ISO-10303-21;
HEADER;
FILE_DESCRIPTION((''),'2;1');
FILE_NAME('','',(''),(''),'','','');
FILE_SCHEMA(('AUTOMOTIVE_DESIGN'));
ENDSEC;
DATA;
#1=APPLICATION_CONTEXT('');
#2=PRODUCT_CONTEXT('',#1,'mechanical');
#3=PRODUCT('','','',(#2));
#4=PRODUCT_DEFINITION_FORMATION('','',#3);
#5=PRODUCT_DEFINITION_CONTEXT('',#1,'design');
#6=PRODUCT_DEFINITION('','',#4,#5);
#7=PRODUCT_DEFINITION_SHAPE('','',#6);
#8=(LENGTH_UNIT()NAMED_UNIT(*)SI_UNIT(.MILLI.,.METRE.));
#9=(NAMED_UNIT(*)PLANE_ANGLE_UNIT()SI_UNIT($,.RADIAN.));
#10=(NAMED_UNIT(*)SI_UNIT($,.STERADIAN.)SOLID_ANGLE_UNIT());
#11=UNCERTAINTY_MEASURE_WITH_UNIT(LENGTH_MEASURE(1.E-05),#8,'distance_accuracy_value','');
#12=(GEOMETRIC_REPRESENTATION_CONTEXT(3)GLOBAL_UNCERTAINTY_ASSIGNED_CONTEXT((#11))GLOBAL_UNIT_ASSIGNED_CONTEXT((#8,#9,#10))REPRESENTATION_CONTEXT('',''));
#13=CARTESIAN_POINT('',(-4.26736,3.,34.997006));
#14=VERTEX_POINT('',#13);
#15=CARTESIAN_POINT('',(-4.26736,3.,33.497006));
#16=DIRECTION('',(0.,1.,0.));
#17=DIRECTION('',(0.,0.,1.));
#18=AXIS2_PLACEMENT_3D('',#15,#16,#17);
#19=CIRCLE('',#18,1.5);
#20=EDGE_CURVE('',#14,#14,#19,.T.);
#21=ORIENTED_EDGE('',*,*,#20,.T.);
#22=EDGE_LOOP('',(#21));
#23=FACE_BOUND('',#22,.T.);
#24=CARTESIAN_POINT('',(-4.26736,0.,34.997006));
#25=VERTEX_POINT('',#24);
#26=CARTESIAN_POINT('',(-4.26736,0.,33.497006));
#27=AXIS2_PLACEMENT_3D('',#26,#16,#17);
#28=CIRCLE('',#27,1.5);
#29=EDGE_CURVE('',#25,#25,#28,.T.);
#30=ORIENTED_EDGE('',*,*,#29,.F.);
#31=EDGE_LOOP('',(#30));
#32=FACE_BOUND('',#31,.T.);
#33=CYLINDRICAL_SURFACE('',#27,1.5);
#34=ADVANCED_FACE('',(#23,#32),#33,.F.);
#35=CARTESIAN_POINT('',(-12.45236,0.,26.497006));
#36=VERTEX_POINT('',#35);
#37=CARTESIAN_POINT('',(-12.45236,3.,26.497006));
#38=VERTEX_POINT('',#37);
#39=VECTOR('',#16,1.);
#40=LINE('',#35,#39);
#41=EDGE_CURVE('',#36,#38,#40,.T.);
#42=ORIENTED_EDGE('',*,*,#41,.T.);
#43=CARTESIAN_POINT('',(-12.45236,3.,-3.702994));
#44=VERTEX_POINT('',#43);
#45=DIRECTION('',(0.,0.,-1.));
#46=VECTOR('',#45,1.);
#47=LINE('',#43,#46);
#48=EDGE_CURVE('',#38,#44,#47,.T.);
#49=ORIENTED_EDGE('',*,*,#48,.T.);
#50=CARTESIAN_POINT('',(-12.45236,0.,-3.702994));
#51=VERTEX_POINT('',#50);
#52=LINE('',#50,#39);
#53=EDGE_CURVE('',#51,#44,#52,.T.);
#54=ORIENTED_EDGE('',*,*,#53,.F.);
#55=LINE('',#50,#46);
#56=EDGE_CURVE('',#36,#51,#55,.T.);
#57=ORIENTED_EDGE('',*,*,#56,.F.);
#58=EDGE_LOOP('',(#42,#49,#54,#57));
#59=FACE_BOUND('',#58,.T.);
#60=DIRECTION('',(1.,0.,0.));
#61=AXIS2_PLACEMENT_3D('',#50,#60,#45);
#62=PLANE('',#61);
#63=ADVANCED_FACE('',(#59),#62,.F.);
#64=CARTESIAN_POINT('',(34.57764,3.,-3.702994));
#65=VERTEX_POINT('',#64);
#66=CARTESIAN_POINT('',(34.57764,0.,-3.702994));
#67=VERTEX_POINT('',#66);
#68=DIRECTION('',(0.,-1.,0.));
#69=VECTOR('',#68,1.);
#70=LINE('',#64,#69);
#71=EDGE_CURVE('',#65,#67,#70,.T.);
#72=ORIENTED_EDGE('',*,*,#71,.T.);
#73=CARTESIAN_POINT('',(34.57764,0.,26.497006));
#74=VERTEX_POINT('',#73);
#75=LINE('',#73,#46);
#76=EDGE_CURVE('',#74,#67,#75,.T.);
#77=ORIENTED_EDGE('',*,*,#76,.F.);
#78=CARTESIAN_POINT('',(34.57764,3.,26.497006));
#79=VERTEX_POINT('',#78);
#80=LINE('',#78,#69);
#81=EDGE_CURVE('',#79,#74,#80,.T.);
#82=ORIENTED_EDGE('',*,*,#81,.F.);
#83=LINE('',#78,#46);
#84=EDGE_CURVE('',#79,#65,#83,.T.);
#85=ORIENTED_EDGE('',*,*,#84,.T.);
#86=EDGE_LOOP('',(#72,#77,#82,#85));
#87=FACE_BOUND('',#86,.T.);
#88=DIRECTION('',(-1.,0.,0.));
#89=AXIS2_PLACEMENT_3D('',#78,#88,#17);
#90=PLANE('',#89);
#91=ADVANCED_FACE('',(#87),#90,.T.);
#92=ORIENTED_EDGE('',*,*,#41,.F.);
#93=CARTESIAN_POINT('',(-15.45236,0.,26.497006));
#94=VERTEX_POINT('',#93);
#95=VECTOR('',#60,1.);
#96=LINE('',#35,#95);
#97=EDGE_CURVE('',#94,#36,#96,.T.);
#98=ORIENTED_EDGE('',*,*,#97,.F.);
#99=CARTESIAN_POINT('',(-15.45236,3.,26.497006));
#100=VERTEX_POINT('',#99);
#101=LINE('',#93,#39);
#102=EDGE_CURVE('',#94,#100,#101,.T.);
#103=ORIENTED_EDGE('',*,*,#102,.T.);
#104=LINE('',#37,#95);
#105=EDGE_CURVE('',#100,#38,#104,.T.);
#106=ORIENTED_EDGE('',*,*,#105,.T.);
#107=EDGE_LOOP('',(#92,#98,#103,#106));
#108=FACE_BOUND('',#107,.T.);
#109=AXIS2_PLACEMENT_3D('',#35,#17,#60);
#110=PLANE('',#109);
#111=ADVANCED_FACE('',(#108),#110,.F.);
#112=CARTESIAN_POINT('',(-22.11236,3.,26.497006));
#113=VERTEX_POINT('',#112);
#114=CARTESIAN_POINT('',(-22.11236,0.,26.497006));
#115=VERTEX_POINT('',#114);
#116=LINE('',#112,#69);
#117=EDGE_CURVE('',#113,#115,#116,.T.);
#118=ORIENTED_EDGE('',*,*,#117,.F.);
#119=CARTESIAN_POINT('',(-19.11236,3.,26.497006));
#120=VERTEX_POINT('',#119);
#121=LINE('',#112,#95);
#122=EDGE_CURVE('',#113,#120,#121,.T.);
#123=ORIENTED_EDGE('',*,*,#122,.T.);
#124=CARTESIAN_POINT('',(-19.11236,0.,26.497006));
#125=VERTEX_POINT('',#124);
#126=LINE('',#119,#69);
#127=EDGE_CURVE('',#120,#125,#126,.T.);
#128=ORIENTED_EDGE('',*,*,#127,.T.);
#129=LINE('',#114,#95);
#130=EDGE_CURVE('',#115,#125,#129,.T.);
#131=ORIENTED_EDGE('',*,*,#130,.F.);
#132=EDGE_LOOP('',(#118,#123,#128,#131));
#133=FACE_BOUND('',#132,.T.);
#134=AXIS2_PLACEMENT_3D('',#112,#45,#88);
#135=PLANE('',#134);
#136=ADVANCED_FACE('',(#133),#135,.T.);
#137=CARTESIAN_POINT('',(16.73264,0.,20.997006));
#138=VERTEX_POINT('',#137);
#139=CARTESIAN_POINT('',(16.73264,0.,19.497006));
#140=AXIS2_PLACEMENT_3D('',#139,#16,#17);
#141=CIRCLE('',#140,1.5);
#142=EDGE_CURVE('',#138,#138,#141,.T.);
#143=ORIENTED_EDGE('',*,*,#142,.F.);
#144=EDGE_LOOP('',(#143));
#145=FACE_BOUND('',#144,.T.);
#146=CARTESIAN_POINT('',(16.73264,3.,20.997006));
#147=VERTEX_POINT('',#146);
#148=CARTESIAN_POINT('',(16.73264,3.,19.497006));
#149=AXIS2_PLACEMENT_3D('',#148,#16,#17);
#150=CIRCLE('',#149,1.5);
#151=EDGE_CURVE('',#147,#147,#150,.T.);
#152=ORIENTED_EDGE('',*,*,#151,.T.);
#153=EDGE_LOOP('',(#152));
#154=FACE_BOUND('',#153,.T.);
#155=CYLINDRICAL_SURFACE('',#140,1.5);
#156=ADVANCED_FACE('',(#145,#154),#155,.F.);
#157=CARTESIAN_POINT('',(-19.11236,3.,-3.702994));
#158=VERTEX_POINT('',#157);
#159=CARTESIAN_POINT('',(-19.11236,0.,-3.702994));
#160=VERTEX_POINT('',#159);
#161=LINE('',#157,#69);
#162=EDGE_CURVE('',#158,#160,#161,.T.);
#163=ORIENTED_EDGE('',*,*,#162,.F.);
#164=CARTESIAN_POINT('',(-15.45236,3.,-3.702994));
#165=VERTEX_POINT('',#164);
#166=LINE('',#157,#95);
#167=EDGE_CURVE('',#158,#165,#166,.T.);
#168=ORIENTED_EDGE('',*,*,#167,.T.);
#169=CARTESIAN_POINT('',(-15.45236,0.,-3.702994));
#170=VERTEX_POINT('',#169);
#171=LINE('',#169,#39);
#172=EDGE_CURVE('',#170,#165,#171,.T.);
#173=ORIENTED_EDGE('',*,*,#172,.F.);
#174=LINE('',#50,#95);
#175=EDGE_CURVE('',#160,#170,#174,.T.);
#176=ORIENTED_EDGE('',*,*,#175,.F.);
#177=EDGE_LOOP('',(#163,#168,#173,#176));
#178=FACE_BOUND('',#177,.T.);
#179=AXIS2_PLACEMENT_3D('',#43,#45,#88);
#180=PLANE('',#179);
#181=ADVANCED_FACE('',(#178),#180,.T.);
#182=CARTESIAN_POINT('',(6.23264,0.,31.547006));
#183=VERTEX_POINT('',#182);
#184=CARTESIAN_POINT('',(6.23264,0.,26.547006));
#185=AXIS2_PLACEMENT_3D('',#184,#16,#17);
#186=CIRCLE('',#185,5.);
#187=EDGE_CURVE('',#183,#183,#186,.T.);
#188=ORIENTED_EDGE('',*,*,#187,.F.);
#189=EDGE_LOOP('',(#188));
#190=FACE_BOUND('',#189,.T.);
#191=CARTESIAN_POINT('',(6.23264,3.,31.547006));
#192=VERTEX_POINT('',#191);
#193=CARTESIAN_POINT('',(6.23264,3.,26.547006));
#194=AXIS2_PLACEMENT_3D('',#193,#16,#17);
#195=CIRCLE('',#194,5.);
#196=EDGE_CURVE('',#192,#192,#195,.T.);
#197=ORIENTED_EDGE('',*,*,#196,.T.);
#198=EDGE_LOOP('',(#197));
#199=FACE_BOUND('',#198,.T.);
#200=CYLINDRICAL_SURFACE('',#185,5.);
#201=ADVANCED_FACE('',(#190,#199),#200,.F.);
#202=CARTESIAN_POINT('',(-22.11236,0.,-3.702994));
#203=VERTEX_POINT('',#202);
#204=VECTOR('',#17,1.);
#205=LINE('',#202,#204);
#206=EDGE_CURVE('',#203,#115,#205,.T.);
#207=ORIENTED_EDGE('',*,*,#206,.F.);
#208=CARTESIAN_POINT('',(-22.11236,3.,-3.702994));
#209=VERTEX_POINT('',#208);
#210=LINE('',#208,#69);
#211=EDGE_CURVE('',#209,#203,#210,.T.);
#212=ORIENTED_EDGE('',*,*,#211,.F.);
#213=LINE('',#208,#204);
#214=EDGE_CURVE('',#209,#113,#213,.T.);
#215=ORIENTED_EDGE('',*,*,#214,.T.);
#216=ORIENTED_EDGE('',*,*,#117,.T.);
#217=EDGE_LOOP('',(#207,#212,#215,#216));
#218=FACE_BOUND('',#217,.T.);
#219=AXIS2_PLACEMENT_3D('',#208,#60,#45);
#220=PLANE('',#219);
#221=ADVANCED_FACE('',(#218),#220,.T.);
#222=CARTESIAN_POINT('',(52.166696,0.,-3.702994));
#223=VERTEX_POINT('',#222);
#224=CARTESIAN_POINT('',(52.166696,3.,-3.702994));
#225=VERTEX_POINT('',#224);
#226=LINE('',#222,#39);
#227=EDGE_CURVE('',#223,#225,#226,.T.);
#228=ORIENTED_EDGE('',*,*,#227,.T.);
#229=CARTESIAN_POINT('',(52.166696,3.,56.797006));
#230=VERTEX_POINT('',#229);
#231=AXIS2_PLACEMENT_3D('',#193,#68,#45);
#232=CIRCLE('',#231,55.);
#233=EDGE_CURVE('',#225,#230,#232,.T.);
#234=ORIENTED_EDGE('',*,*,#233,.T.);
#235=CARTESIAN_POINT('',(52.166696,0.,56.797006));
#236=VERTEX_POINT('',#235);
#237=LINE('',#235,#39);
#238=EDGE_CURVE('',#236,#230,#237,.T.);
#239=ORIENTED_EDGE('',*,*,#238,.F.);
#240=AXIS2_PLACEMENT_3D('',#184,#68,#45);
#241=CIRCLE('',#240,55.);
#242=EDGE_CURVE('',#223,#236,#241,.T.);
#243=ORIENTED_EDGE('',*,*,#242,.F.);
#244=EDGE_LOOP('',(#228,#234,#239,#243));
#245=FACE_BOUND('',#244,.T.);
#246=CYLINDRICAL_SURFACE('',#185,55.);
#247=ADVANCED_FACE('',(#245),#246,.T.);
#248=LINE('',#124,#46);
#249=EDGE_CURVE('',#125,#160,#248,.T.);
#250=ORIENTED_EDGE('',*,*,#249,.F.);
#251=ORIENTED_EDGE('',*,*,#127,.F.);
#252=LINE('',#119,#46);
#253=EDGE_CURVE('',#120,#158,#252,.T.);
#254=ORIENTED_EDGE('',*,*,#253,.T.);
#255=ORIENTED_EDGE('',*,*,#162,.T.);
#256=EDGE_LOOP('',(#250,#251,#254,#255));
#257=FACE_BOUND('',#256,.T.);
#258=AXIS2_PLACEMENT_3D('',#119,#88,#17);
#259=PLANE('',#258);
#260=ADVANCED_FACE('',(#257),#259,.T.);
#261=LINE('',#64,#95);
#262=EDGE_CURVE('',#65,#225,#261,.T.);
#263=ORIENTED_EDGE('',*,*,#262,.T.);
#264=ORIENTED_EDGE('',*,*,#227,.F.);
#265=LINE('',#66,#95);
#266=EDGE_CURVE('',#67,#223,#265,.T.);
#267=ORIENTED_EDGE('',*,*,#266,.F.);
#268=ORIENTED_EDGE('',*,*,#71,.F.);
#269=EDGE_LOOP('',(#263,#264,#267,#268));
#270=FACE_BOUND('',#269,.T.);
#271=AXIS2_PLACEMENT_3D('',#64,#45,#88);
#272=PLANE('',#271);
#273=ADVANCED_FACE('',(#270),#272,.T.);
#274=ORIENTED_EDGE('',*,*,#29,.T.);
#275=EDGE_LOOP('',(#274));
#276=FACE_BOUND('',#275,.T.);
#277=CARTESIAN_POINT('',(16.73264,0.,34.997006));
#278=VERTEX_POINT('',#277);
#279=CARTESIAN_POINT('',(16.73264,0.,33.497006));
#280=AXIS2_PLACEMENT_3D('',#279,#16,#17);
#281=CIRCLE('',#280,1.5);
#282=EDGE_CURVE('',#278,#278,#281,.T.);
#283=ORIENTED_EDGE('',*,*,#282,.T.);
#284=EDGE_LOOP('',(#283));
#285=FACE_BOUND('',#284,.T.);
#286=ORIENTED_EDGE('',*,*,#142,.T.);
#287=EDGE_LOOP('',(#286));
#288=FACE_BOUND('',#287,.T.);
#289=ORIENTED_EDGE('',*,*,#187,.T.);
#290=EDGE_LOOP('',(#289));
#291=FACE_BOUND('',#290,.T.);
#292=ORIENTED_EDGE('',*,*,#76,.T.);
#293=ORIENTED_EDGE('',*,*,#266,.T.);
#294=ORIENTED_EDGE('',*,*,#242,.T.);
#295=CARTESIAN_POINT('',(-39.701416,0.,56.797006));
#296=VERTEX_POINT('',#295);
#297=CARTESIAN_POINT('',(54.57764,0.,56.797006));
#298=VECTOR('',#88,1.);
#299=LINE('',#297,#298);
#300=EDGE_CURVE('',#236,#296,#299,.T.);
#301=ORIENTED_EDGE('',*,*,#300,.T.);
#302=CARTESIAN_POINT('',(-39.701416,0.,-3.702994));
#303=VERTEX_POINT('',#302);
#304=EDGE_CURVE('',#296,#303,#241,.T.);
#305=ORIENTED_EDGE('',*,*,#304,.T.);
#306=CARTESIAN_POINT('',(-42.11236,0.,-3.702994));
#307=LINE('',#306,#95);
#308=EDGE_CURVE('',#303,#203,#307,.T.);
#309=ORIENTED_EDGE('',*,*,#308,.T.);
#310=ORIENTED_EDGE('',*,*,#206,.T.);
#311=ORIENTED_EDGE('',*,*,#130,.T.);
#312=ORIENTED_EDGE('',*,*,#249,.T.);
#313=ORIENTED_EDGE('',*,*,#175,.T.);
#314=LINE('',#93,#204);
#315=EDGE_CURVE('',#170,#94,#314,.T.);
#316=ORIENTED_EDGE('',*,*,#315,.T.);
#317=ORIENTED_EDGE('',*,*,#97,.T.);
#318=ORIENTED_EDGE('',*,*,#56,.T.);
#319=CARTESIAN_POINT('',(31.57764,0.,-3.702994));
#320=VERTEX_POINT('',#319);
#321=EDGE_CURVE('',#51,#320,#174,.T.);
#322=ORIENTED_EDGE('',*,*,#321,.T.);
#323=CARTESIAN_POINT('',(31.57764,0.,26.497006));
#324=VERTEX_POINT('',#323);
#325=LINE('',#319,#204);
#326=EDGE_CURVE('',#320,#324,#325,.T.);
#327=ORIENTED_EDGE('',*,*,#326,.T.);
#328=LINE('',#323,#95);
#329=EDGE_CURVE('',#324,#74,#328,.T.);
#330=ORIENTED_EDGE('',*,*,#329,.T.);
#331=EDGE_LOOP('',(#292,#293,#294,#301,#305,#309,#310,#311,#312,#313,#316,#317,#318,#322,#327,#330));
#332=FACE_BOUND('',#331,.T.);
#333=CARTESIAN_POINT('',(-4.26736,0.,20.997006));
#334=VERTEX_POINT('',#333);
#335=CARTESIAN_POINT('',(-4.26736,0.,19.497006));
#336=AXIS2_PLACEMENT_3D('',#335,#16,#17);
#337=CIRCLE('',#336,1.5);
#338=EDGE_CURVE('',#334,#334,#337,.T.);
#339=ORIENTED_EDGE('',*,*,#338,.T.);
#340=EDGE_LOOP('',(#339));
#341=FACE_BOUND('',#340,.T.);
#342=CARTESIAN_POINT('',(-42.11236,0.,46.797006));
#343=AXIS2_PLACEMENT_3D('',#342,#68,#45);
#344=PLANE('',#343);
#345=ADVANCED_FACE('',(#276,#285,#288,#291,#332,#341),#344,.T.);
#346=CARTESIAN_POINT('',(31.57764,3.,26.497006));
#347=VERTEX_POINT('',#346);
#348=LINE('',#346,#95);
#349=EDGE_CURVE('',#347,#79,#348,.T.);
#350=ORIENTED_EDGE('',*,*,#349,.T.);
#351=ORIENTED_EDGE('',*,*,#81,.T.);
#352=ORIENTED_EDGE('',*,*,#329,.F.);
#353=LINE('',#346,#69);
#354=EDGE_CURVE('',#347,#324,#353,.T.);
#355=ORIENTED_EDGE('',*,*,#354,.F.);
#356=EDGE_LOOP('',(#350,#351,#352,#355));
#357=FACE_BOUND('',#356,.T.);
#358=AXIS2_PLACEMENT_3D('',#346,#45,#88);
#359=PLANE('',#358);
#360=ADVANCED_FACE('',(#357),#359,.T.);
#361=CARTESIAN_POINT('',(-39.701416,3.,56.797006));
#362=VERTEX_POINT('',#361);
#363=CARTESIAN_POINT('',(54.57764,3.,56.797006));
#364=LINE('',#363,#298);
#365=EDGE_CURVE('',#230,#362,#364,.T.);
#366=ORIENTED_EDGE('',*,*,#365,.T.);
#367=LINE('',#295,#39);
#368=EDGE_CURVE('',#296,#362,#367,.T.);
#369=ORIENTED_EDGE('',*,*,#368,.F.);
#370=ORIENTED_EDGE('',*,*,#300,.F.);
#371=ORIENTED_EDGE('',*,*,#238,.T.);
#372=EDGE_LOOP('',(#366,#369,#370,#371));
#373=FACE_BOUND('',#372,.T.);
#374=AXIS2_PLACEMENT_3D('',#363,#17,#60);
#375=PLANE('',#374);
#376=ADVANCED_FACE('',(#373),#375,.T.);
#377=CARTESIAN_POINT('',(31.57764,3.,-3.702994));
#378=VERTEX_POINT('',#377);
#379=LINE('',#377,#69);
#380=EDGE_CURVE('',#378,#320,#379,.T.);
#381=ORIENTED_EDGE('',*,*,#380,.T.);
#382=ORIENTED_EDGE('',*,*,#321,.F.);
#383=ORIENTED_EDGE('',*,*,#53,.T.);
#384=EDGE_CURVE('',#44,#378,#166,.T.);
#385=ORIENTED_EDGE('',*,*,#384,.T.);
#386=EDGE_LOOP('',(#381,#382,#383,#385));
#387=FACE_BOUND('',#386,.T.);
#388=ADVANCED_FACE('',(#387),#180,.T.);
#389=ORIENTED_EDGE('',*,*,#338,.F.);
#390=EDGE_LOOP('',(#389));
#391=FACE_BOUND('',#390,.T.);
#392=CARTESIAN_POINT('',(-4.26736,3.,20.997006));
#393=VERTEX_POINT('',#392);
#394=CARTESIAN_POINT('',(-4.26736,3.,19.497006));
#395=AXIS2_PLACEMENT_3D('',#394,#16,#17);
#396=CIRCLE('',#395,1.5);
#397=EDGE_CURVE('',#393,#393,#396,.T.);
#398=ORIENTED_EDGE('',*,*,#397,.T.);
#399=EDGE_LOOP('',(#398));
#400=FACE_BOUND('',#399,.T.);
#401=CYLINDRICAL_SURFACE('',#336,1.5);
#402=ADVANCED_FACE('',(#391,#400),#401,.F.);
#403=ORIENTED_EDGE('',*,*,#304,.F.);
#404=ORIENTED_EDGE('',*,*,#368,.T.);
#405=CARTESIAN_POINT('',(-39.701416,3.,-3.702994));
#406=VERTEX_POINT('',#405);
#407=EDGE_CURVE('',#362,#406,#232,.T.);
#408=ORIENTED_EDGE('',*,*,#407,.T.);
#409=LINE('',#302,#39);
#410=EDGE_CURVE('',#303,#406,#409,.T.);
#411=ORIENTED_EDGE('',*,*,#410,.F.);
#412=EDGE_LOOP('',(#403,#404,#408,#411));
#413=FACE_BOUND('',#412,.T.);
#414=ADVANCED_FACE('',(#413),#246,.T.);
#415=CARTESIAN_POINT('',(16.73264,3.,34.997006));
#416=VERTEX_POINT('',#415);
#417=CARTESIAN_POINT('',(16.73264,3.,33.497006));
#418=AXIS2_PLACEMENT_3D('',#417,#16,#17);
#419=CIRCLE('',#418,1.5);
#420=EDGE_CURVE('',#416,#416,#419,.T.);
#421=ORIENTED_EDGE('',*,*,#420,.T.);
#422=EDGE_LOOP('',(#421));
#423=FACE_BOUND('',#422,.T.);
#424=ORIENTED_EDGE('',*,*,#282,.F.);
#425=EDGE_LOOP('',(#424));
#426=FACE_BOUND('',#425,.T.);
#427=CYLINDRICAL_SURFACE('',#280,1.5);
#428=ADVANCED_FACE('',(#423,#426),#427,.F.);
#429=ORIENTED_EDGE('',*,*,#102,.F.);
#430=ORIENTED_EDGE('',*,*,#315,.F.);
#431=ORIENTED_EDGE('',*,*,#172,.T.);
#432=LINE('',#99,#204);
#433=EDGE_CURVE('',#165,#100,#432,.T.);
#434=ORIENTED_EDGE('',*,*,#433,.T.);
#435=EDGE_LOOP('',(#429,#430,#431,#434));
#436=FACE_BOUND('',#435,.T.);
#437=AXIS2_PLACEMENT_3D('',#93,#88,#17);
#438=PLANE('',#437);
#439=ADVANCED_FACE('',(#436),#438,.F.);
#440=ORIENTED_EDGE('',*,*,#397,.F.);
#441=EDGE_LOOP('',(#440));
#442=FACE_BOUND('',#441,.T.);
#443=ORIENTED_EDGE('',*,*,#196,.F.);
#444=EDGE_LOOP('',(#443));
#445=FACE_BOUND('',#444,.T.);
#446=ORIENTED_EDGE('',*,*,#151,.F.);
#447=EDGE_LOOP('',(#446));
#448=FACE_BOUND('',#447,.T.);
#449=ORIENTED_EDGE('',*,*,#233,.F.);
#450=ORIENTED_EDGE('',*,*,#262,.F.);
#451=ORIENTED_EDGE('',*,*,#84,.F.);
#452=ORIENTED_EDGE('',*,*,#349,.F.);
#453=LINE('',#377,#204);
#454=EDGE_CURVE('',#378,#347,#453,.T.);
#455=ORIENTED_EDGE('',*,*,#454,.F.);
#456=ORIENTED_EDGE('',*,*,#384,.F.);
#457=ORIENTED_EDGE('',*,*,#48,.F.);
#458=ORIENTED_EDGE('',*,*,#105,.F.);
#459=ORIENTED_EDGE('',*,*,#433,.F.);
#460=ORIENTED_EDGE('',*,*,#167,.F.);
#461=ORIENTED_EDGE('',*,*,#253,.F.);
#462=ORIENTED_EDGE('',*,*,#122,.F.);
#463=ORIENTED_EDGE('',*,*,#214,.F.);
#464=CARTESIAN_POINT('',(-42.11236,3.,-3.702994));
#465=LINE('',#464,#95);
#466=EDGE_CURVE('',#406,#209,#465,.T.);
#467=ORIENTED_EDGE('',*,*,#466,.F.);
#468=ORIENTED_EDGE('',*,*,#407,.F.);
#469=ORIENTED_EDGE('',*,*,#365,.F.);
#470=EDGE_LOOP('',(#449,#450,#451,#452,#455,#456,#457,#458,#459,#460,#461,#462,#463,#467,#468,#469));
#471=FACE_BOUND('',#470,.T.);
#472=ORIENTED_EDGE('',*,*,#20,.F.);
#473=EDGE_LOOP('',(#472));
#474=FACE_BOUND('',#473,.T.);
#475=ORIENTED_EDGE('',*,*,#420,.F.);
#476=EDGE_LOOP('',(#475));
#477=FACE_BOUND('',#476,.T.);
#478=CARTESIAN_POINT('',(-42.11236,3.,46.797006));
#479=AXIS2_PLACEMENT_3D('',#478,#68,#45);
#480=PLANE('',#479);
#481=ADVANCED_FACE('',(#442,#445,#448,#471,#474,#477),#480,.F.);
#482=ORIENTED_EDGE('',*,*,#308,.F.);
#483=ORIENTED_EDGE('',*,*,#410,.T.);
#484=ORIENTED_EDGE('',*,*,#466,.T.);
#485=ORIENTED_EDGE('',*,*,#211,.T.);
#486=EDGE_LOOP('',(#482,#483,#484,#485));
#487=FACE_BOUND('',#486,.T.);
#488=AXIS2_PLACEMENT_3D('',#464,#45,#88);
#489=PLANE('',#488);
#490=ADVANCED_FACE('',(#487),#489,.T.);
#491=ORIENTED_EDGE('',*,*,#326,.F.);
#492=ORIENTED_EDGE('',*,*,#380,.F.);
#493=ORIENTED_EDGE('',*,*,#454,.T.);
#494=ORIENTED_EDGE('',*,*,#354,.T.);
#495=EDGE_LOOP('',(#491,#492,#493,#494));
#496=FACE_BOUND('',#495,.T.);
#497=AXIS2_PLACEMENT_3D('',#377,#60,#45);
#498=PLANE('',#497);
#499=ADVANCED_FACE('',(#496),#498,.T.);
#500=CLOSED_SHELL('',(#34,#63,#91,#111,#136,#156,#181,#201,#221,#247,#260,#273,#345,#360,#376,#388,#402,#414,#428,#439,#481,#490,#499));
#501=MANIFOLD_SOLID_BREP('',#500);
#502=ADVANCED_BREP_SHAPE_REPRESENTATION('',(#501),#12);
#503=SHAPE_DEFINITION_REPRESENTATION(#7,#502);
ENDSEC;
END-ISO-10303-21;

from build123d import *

# Parameters (mm, degrees)
BOSS_EXTRUDE1_DEPTH = 3
SKETCH4_R           = 5
CUT_EXTRUDE1_DEPTH  = 3
SKETCH6_R           = 1.5
CUT_EXTRUDE2_DEPTH  = 3
CUT_EXTRUDE3_DEPTH  = 3
SKETCH8_W           = 3
SKETCH8_H           = 30.2
CUT_EXTRUDE4_DEPTH  = 3


with BuildPart() as part:
    # Sketch3 → Boss-Extrude1 (new body)
    with BuildSketch(Plane(origin=(0, 0, 0), x_dir=(1, 0, 0), z_dir=(0, 1, 0))):
        with BuildLine():
            Line((-42.11236018, 3.702994226), (-22.11236018, 3.702994226))
            Line((-22.11236018, 3.702994226), (-22.11236018, -26.497005774))
            Line((-22.11236018, -26.497005774), (-19.11236018, -26.497005774))
            Line((-19.11236018, -26.497005774), (-19.11236018, 3.702994226))
            Line((-19.11236018, 3.702994226), (-15.45236018, 3.702994226))
            Line((-15.45236018, 3.702994226), (-12.45236018, 3.702994226))
            Line((-12.45236018, 3.702994226), (31.57763982, 3.702994226))
            Line((31.57763982, 3.702994226), (31.57763982, -26.497005774))
            Line((31.57763982, -26.497005774), (34.57763982, -26.497005774))
            Line((34.57763982, -26.497005774), (34.57763982, 3.702994226))
            Line((34.57763982, 3.702994226), (54.57763982, 3.702994226))
            ThreePointArc((54.57763982, 3.702994226), (61.648707631, 0.774062038), (64.57763982, -6.297005774))
            Line((64.57763982, -6.297005774), (64.57763982, -46.797005774))
            ThreePointArc((64.57763982, -46.797005774), (61.648707631, -53.868073586), (54.57763982, -56.797005774))
            Line((54.57763982, -56.797005774), (-42.11236018, -56.797005774))
            ThreePointArc((-42.11236018, -56.797005774), (-49.183427992, -53.868073586), (-52.11236018, -46.797005774))
            Line((-52.11236018, -46.797005774), (-52.11236018, -6.297005774))
            ThreePointArc((-52.11236018, -6.297005774), (-49.183427992, 0.774062038), (-42.11236018, 3.702994226))
        make_face()
    extrude(amount=BOSS_EXTRUDE1_DEPTH)

    # Sketch4 → Cut-Extrude1 (cut)
    with BuildSketch(Plane(origin=(0, 3, 0), x_dir=(1, 0, 0), z_dir=(0, 1, 0))):
        with Locations(Location((6.23263982, -26.547005774, 0), (0, 0, 270))):
            Circle(SKETCH4_R)
    extrude(amount=-CUT_EXTRUDE1_DEPTH, mode=Mode.SUBTRACT)

    # Sketch6 → Cut-Extrude2 (cut)
    with BuildSketch(Plane(origin=(0, 3, 0), x_dir=(1, 0, 0), z_dir=(0, 1, 0))):
        with Locations(Location((-4.26736018, -19.497005774, 0), (0, 0, 270))):
            Circle(SKETCH6_R)
        with Locations(Location((-4.26736018, -33.497005774, 0), (0, 0, 270))):
            Circle(SKETCH6_R)
        with Locations(Location((16.73263982, -19.497005774, 0), (0, 0, 270))):
            Circle(SKETCH6_R)
        with Locations(Location((16.73263982, -33.497005774, 0), (0, 0, 270))):
            Circle(SKETCH6_R)
    extrude(amount=-CUT_EXTRUDE2_DEPTH, mode=Mode.SUBTRACT)

    # Sketch7 → Cut-Extrude3 (cut)
    with BuildSketch(Plane(origin=(0, 3, 0), x_dir=(1, 0, 0), z_dir=(0, 1, 0))):
        with BuildLine():
            Line((52.166695813, 3.702994226), (73.459164028, 3.702994226))
            Line((73.459164028, 3.702994226), (73.459164028, -56.797005774))
            Line((73.459164028, -56.797005774), (52.166695813, -56.797005774))
            ThreePointArc((52.166695813, -56.797005774), (61.23263982, -26.547005774), (52.166695813, 3.702994226))
        make_face()
        with BuildLine():
            Line((-39.701416174, 3.702994226), (-60.819947715, 3.702994226))
            Line((-60.819947715, 3.702994226), (-60.819947715, -56.797005774))
            Line((-60.819947715, -56.797005774), (-39.701416174, -56.797005774))
            ThreePointArc((-39.701416174, -56.797005774), (-48.76736018, -26.547005774), (-39.701416174, 3.702994226))
        make_face()
    extrude(amount=-CUT_EXTRUDE3_DEPTH, mode=Mode.SUBTRACT)

    # Sketch8 → Cut-Extrude4 (cut)
    with BuildSketch(Plane(origin=(0, 3, 0), x_dir=(1, 0, 0), z_dir=(0, 1, 0))):
        with Locations((-13.95236018, -11.397005774)):
            Rectangle(SKETCH8_W, SKETCH8_H)
    extrude(amount=-CUT_EXTRUDE4_DEPTH, mode=Mode.SUBTRACT)


solid = part.part
